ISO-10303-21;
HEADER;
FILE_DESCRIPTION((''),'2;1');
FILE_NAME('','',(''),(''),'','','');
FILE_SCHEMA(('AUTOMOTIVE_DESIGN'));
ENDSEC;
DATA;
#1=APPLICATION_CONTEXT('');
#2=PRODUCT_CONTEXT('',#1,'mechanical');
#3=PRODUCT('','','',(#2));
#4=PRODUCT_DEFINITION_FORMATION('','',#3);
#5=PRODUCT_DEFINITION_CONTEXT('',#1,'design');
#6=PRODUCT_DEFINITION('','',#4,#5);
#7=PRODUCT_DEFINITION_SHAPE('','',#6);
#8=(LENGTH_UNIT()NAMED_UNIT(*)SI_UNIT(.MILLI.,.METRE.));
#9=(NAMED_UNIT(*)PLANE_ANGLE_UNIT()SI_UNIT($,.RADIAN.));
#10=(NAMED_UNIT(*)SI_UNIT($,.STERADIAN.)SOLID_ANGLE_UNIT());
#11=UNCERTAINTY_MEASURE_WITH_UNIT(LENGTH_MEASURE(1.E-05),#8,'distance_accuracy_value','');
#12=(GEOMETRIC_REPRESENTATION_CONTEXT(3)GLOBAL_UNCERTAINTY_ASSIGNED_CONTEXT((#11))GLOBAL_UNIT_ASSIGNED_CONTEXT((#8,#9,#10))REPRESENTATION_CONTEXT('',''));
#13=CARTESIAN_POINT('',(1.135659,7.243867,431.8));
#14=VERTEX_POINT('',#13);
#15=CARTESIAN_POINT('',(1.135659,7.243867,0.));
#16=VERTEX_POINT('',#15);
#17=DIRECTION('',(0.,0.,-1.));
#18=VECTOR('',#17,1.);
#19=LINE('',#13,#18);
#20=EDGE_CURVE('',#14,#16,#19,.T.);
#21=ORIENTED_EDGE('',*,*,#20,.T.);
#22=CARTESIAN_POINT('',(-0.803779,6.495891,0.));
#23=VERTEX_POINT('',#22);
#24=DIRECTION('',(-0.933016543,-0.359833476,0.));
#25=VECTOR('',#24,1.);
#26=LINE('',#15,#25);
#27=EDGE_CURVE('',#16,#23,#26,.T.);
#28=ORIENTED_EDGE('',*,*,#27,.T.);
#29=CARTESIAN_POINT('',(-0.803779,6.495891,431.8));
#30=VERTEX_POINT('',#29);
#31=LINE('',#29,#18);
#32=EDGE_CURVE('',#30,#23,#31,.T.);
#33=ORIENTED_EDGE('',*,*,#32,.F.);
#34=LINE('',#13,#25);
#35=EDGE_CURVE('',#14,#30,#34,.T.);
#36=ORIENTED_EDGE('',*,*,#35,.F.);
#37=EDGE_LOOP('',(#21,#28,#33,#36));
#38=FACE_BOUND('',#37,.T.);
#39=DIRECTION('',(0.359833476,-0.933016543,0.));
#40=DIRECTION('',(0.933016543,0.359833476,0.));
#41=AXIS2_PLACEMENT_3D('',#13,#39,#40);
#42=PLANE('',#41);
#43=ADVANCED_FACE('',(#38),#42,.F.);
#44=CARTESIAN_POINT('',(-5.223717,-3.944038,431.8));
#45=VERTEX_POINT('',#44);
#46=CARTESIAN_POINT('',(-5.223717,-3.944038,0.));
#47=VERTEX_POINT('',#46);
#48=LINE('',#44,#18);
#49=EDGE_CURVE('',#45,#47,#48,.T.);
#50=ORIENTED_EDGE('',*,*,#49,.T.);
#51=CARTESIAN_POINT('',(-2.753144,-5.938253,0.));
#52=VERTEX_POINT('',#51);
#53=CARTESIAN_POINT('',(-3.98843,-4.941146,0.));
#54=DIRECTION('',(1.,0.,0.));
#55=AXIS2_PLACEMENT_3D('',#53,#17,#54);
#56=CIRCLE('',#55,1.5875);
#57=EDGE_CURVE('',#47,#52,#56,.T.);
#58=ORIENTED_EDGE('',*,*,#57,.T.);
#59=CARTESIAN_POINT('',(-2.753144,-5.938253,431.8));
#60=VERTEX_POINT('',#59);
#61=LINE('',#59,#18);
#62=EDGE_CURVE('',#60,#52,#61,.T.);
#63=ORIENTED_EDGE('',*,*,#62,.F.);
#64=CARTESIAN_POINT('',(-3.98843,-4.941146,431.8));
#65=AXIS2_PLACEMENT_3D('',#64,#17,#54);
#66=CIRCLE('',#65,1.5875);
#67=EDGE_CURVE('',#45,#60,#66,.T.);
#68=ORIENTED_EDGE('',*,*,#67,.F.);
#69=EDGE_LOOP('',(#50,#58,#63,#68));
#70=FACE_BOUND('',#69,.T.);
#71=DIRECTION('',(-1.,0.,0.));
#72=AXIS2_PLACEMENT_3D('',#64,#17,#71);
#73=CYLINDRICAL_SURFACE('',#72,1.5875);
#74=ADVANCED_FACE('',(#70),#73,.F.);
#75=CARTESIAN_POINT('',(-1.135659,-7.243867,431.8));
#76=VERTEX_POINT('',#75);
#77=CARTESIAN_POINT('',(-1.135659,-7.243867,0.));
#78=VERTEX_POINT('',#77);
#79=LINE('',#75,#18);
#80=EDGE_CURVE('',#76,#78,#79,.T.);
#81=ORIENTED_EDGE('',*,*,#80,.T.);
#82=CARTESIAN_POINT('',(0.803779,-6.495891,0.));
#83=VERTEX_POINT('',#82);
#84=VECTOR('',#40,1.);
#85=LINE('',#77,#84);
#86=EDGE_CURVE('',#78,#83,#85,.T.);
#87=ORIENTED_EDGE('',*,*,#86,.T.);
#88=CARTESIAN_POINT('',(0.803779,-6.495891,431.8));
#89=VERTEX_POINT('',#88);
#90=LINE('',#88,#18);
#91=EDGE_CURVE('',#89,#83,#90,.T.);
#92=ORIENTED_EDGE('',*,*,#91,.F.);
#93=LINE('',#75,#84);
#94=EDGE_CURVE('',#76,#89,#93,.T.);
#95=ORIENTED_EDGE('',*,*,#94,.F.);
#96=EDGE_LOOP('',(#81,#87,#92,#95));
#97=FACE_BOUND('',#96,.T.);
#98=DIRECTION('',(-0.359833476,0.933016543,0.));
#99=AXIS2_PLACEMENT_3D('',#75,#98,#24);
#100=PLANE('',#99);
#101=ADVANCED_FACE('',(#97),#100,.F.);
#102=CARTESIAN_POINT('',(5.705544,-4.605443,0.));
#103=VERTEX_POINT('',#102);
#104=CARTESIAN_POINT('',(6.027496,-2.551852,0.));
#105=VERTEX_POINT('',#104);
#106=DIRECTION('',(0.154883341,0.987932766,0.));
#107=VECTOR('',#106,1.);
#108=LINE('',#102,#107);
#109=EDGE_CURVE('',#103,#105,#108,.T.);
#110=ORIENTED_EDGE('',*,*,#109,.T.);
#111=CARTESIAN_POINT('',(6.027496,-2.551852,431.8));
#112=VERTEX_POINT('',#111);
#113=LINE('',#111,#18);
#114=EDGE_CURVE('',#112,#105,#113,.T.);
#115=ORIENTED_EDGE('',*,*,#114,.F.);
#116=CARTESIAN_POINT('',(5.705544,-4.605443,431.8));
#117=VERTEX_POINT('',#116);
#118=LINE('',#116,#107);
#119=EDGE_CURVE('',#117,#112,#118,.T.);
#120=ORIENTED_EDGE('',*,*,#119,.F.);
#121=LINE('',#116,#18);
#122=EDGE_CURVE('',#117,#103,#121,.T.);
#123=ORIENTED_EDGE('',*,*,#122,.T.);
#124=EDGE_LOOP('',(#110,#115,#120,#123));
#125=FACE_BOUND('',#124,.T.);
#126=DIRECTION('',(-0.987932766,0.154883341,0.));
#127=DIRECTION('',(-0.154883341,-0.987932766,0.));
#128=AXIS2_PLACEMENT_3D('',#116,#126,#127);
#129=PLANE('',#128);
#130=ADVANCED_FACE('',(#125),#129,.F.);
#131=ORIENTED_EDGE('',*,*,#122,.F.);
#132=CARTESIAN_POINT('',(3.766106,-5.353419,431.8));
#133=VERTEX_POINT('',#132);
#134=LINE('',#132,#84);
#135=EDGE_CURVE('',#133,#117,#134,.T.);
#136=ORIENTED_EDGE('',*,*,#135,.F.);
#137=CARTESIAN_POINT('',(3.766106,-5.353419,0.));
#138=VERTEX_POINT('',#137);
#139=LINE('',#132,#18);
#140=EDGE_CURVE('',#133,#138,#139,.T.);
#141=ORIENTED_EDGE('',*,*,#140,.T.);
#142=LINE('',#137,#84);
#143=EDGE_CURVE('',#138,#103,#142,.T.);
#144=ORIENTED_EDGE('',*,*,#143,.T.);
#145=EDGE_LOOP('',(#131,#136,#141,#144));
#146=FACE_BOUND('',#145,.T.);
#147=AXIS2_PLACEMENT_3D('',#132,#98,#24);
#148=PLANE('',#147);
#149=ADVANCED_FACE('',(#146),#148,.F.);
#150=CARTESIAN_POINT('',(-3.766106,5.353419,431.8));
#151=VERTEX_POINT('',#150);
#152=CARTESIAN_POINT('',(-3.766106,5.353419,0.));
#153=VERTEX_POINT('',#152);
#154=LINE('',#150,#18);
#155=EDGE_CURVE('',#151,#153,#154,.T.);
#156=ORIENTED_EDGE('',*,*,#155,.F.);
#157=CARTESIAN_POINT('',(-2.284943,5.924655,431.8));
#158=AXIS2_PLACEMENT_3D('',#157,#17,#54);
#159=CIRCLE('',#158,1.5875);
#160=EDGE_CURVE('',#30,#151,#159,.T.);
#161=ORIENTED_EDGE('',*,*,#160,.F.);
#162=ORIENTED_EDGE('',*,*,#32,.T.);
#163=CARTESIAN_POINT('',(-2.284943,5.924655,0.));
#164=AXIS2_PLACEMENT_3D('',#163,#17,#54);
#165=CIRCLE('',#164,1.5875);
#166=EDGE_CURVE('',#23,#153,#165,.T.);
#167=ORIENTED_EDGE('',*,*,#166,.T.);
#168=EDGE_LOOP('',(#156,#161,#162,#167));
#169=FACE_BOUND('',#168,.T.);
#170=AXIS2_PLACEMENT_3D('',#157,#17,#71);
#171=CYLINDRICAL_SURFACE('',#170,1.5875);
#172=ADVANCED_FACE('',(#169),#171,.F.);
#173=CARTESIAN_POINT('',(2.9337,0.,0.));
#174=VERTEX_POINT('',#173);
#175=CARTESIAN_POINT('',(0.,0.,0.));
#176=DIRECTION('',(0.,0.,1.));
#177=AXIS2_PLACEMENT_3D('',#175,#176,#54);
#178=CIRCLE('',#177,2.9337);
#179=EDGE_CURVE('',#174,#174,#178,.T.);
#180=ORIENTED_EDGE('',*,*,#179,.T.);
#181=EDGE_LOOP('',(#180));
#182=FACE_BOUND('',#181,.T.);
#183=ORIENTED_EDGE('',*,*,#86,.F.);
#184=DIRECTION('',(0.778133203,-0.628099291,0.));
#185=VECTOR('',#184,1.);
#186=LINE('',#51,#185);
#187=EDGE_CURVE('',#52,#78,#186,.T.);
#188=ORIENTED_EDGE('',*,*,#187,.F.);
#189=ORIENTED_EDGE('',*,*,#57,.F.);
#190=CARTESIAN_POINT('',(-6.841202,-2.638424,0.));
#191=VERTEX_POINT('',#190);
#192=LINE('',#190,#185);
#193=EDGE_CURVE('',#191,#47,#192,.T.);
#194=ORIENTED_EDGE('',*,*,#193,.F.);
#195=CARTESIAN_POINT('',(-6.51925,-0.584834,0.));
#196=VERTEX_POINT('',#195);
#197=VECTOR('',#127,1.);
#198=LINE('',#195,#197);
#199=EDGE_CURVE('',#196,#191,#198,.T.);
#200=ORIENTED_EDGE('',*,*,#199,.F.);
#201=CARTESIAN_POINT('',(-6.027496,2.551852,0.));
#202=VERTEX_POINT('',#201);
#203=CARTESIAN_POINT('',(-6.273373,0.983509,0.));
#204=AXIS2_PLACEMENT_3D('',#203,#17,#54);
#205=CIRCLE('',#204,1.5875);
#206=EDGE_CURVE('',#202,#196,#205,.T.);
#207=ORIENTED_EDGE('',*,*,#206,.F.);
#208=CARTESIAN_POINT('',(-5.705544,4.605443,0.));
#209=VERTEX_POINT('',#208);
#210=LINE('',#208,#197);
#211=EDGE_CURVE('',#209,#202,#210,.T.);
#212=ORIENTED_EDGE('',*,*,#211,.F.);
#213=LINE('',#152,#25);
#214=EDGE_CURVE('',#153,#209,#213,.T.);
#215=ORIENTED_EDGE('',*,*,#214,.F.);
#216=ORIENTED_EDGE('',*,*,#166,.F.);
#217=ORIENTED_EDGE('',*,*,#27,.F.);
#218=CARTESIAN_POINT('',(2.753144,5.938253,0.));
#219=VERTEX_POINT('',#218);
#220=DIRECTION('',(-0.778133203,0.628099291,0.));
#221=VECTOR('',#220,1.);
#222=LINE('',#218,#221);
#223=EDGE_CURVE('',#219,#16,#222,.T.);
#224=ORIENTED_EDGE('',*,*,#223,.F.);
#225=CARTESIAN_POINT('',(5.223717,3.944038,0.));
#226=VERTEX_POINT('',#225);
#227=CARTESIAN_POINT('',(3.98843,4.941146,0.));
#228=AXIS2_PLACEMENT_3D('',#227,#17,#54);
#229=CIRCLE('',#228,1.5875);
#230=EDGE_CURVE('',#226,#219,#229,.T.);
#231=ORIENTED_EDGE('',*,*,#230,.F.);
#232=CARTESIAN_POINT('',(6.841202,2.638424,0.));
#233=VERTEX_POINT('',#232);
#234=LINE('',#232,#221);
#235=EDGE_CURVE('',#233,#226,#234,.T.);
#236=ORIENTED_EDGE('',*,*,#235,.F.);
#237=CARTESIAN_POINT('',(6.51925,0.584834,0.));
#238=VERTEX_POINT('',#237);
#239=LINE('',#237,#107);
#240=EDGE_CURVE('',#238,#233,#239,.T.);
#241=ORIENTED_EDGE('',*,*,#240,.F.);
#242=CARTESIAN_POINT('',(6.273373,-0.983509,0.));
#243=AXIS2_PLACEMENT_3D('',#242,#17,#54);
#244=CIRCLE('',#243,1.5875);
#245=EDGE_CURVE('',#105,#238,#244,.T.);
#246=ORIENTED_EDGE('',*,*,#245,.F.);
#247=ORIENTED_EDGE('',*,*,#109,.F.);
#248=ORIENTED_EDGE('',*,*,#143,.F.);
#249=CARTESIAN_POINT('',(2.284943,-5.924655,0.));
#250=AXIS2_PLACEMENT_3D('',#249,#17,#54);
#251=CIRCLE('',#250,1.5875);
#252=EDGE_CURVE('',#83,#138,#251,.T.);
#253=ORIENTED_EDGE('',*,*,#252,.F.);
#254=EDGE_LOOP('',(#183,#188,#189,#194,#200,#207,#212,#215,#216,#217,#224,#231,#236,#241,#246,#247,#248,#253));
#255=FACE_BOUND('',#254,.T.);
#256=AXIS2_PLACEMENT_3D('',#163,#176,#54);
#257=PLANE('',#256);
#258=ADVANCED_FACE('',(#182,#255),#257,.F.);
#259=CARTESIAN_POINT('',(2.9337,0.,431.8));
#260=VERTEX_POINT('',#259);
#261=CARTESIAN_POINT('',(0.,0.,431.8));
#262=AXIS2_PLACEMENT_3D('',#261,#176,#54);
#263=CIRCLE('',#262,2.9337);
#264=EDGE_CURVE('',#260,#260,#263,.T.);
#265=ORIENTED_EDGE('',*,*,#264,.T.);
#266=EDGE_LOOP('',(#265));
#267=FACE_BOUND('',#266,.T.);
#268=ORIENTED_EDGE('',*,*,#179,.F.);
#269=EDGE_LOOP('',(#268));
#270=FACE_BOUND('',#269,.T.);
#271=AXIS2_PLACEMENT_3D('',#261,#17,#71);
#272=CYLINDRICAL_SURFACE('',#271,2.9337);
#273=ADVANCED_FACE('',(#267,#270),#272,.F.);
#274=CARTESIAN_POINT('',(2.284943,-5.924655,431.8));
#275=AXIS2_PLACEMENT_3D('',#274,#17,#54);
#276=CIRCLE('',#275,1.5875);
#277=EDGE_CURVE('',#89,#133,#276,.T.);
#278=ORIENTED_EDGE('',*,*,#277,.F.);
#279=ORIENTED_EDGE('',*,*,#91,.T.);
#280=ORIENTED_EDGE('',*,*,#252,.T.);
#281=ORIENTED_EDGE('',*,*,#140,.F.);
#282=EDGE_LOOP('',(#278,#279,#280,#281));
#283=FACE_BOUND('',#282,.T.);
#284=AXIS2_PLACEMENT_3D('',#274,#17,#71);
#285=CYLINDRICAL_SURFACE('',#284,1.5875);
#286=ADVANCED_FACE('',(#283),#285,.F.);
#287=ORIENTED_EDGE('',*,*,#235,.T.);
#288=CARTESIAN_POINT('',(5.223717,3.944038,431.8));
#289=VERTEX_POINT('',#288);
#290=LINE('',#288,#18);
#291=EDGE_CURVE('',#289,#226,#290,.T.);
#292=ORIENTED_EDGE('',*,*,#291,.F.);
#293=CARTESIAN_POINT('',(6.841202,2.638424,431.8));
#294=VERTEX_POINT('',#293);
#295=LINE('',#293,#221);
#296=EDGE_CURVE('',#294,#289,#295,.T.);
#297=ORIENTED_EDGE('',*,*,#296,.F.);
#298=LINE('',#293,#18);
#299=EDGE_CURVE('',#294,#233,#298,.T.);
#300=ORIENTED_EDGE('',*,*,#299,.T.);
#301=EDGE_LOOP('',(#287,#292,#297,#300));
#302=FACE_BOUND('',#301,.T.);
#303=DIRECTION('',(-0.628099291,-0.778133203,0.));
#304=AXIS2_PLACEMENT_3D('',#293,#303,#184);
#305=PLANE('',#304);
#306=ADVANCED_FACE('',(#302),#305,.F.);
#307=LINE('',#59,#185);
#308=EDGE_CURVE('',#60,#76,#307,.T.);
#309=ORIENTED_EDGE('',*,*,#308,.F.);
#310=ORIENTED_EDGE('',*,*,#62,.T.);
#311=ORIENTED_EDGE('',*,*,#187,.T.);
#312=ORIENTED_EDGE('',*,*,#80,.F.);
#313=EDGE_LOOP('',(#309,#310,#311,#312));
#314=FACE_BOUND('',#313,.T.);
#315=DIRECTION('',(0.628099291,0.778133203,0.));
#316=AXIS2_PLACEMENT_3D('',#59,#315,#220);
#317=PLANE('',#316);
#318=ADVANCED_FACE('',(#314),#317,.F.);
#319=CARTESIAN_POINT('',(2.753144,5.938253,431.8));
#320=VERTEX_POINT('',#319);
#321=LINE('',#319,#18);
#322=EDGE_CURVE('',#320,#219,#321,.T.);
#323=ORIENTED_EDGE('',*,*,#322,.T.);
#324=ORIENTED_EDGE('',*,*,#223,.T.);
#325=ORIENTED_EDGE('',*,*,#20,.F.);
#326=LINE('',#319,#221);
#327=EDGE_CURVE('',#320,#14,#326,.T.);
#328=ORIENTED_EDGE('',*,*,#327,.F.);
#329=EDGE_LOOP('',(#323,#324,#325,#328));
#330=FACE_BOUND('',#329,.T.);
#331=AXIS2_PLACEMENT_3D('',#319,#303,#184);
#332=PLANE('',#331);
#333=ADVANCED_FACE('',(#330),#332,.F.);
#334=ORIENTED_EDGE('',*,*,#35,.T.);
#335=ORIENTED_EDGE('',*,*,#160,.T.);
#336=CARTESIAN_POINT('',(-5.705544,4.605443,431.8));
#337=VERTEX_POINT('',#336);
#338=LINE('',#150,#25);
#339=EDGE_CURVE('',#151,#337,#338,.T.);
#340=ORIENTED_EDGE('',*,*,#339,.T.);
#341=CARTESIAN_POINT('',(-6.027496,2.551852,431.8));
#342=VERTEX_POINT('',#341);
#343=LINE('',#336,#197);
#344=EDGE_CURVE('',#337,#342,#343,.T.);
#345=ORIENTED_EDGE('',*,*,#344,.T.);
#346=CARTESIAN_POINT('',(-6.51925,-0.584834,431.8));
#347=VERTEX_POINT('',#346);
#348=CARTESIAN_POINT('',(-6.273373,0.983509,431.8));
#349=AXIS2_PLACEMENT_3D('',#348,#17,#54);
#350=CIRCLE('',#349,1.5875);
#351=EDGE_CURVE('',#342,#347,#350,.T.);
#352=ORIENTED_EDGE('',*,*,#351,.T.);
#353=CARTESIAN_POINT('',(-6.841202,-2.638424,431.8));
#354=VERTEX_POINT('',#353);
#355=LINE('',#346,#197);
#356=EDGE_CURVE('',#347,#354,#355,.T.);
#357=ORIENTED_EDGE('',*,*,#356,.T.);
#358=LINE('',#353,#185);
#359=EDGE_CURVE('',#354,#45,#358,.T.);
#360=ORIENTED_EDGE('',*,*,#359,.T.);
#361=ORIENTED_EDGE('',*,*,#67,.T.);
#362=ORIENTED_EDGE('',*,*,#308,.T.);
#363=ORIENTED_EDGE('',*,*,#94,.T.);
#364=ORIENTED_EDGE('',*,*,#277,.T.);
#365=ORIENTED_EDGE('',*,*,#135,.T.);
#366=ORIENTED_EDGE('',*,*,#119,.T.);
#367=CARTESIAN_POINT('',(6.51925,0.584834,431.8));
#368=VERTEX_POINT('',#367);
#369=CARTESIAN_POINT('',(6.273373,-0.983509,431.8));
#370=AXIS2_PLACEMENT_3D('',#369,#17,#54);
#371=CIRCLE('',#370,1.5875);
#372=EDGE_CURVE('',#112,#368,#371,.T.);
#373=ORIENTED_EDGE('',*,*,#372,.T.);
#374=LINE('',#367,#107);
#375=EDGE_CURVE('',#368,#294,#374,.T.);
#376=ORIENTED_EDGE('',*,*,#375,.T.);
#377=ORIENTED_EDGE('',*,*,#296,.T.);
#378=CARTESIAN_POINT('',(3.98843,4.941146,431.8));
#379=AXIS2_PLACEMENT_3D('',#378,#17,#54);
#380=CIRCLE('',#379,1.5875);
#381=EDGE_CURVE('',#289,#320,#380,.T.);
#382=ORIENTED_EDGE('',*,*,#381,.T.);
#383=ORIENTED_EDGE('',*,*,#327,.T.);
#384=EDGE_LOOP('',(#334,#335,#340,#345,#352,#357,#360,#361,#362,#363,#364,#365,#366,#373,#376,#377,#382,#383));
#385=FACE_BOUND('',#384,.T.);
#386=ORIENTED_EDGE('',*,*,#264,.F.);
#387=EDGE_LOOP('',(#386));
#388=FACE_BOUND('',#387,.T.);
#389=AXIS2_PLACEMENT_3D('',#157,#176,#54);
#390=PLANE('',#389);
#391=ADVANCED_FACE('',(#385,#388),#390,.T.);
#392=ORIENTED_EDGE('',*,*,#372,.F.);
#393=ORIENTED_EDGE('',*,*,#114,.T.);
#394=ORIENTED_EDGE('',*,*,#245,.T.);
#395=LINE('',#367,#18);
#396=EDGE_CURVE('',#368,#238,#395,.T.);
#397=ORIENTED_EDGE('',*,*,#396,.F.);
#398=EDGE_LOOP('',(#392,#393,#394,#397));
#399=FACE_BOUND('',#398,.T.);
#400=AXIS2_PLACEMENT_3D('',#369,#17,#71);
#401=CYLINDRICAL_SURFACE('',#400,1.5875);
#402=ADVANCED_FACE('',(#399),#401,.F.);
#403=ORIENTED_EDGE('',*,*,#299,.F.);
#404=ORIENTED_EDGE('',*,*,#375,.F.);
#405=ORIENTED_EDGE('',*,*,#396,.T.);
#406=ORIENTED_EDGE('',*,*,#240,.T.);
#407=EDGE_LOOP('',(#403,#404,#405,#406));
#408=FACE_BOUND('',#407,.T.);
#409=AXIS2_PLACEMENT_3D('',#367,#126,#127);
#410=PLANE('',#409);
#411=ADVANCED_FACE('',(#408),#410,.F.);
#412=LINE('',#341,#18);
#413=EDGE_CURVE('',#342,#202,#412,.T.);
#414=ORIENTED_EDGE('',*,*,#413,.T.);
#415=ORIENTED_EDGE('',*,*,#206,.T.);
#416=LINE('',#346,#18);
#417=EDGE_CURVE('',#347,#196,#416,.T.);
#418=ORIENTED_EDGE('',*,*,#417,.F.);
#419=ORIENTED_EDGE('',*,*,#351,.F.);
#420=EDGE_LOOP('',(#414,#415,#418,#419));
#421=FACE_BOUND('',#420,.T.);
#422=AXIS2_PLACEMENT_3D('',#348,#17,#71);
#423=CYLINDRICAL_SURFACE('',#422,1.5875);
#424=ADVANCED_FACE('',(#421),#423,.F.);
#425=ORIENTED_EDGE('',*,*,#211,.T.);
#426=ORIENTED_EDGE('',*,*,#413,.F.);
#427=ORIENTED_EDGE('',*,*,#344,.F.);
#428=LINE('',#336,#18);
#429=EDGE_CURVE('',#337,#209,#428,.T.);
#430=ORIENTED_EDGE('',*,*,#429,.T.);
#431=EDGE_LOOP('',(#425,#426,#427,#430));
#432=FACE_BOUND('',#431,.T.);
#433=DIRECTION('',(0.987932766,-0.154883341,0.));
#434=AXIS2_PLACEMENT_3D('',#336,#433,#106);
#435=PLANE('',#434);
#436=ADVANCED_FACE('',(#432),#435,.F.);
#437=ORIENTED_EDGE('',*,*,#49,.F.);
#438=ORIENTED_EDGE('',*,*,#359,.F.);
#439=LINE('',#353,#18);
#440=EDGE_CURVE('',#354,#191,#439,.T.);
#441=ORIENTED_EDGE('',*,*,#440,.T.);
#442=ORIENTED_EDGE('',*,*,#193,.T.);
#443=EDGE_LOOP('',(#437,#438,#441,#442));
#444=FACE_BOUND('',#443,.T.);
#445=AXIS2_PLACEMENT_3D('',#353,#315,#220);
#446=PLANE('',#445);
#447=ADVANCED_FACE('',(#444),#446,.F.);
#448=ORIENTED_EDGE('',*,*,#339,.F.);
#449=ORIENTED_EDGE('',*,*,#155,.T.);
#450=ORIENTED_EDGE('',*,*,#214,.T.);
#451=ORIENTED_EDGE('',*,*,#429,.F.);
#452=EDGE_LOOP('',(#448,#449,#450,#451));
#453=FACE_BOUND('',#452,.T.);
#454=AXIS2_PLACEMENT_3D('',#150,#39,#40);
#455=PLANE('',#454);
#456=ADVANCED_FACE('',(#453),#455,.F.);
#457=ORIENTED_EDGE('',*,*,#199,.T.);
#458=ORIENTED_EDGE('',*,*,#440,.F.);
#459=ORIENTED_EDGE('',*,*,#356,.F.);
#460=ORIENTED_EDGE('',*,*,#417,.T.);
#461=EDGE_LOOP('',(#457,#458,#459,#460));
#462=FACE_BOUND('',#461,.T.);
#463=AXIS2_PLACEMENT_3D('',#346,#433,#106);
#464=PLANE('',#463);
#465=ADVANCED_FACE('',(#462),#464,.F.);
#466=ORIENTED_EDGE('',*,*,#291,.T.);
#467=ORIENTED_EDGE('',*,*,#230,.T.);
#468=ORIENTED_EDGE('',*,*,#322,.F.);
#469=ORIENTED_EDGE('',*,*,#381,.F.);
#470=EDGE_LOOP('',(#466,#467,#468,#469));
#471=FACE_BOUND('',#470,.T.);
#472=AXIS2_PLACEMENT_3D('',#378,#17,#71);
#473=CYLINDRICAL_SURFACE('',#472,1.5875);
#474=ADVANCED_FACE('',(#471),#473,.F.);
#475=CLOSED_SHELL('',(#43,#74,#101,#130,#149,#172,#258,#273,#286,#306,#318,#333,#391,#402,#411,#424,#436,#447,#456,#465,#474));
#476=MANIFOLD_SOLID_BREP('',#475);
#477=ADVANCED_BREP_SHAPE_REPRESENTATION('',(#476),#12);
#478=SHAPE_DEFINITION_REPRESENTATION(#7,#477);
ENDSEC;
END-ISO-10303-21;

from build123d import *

# Parameters (mm, degrees)
SKETCH1_R           = 2.9337
BOSS_EXTRUDE1_DEPTH = 431.8


with BuildPart() as part:
    # Sketch1 → Boss-Extrude1 (new body)
    with BuildSketch(Plane.XY):
        with BuildLine():
            Line((-3.766106333, 5.353419406), (-5.705543758, 4.605442841))
            Line((-5.705543758, 4.605442841), (-6.027495763, 2.551852479))
            ThreePointArc((-6.027495763, 2.551852479), (-4.7050298, 0.737631909), (-6.519250369, -0.584834054))
            Line((-6.519250369, -0.584834054), (-6.841202375, -2.638424416))
            Line((-6.841202375, -2.638424416), (-5.223716955, -3.944038213))
            ThreePointArc((-5.223716955, -3.944038213), (-2.991322872, -3.705859378), (-2.753144037, -5.938253461))
            Line((-2.753144037, -5.938253461), (-1.135658617, -7.243867257))
            Line((-1.135658617, -7.243867257), (0.803778808, -6.495890692))
            ThreePointArc((0.803778808, -6.495890692), (1.713706928, -4.443491287), (3.766106333, -5.353419406))
            Line((3.766106333, -5.353419406), (5.705543758, -4.605442841))
            Line((5.705543758, -4.605442841), (6.027495763, -2.551852479))
            ThreePointArc((6.027495763, -2.551852479), (4.7050298, -0.737631909), (6.519250369, 0.584834054))
            Line((6.519250369, 0.584834054), (6.841202375, 2.638424416))
            Line((6.841202375, 2.638424416), (5.223716955, 3.944038213))
            ThreePointArc((5.223716955, 3.944038213), (2.991322872, 3.705859378), (2.753144037, 5.938253461))
            Line((2.753144037, 5.938253461), (1.135658617, 7.243867257))
            Line((1.135658617, 7.243867257), (-0.803778808, 6.495890692))
            ThreePointArc((-0.803778808, 6.495890692), (-1.713706928, 4.443491287), (-3.766106333, 5.353419406))
        make_face()
        Circle(SKETCH1_R, mode=Mode.SUBTRACT)
    extrude(amount=BOSS_EXTRUDE1_DEPTH)


solid = part.part
